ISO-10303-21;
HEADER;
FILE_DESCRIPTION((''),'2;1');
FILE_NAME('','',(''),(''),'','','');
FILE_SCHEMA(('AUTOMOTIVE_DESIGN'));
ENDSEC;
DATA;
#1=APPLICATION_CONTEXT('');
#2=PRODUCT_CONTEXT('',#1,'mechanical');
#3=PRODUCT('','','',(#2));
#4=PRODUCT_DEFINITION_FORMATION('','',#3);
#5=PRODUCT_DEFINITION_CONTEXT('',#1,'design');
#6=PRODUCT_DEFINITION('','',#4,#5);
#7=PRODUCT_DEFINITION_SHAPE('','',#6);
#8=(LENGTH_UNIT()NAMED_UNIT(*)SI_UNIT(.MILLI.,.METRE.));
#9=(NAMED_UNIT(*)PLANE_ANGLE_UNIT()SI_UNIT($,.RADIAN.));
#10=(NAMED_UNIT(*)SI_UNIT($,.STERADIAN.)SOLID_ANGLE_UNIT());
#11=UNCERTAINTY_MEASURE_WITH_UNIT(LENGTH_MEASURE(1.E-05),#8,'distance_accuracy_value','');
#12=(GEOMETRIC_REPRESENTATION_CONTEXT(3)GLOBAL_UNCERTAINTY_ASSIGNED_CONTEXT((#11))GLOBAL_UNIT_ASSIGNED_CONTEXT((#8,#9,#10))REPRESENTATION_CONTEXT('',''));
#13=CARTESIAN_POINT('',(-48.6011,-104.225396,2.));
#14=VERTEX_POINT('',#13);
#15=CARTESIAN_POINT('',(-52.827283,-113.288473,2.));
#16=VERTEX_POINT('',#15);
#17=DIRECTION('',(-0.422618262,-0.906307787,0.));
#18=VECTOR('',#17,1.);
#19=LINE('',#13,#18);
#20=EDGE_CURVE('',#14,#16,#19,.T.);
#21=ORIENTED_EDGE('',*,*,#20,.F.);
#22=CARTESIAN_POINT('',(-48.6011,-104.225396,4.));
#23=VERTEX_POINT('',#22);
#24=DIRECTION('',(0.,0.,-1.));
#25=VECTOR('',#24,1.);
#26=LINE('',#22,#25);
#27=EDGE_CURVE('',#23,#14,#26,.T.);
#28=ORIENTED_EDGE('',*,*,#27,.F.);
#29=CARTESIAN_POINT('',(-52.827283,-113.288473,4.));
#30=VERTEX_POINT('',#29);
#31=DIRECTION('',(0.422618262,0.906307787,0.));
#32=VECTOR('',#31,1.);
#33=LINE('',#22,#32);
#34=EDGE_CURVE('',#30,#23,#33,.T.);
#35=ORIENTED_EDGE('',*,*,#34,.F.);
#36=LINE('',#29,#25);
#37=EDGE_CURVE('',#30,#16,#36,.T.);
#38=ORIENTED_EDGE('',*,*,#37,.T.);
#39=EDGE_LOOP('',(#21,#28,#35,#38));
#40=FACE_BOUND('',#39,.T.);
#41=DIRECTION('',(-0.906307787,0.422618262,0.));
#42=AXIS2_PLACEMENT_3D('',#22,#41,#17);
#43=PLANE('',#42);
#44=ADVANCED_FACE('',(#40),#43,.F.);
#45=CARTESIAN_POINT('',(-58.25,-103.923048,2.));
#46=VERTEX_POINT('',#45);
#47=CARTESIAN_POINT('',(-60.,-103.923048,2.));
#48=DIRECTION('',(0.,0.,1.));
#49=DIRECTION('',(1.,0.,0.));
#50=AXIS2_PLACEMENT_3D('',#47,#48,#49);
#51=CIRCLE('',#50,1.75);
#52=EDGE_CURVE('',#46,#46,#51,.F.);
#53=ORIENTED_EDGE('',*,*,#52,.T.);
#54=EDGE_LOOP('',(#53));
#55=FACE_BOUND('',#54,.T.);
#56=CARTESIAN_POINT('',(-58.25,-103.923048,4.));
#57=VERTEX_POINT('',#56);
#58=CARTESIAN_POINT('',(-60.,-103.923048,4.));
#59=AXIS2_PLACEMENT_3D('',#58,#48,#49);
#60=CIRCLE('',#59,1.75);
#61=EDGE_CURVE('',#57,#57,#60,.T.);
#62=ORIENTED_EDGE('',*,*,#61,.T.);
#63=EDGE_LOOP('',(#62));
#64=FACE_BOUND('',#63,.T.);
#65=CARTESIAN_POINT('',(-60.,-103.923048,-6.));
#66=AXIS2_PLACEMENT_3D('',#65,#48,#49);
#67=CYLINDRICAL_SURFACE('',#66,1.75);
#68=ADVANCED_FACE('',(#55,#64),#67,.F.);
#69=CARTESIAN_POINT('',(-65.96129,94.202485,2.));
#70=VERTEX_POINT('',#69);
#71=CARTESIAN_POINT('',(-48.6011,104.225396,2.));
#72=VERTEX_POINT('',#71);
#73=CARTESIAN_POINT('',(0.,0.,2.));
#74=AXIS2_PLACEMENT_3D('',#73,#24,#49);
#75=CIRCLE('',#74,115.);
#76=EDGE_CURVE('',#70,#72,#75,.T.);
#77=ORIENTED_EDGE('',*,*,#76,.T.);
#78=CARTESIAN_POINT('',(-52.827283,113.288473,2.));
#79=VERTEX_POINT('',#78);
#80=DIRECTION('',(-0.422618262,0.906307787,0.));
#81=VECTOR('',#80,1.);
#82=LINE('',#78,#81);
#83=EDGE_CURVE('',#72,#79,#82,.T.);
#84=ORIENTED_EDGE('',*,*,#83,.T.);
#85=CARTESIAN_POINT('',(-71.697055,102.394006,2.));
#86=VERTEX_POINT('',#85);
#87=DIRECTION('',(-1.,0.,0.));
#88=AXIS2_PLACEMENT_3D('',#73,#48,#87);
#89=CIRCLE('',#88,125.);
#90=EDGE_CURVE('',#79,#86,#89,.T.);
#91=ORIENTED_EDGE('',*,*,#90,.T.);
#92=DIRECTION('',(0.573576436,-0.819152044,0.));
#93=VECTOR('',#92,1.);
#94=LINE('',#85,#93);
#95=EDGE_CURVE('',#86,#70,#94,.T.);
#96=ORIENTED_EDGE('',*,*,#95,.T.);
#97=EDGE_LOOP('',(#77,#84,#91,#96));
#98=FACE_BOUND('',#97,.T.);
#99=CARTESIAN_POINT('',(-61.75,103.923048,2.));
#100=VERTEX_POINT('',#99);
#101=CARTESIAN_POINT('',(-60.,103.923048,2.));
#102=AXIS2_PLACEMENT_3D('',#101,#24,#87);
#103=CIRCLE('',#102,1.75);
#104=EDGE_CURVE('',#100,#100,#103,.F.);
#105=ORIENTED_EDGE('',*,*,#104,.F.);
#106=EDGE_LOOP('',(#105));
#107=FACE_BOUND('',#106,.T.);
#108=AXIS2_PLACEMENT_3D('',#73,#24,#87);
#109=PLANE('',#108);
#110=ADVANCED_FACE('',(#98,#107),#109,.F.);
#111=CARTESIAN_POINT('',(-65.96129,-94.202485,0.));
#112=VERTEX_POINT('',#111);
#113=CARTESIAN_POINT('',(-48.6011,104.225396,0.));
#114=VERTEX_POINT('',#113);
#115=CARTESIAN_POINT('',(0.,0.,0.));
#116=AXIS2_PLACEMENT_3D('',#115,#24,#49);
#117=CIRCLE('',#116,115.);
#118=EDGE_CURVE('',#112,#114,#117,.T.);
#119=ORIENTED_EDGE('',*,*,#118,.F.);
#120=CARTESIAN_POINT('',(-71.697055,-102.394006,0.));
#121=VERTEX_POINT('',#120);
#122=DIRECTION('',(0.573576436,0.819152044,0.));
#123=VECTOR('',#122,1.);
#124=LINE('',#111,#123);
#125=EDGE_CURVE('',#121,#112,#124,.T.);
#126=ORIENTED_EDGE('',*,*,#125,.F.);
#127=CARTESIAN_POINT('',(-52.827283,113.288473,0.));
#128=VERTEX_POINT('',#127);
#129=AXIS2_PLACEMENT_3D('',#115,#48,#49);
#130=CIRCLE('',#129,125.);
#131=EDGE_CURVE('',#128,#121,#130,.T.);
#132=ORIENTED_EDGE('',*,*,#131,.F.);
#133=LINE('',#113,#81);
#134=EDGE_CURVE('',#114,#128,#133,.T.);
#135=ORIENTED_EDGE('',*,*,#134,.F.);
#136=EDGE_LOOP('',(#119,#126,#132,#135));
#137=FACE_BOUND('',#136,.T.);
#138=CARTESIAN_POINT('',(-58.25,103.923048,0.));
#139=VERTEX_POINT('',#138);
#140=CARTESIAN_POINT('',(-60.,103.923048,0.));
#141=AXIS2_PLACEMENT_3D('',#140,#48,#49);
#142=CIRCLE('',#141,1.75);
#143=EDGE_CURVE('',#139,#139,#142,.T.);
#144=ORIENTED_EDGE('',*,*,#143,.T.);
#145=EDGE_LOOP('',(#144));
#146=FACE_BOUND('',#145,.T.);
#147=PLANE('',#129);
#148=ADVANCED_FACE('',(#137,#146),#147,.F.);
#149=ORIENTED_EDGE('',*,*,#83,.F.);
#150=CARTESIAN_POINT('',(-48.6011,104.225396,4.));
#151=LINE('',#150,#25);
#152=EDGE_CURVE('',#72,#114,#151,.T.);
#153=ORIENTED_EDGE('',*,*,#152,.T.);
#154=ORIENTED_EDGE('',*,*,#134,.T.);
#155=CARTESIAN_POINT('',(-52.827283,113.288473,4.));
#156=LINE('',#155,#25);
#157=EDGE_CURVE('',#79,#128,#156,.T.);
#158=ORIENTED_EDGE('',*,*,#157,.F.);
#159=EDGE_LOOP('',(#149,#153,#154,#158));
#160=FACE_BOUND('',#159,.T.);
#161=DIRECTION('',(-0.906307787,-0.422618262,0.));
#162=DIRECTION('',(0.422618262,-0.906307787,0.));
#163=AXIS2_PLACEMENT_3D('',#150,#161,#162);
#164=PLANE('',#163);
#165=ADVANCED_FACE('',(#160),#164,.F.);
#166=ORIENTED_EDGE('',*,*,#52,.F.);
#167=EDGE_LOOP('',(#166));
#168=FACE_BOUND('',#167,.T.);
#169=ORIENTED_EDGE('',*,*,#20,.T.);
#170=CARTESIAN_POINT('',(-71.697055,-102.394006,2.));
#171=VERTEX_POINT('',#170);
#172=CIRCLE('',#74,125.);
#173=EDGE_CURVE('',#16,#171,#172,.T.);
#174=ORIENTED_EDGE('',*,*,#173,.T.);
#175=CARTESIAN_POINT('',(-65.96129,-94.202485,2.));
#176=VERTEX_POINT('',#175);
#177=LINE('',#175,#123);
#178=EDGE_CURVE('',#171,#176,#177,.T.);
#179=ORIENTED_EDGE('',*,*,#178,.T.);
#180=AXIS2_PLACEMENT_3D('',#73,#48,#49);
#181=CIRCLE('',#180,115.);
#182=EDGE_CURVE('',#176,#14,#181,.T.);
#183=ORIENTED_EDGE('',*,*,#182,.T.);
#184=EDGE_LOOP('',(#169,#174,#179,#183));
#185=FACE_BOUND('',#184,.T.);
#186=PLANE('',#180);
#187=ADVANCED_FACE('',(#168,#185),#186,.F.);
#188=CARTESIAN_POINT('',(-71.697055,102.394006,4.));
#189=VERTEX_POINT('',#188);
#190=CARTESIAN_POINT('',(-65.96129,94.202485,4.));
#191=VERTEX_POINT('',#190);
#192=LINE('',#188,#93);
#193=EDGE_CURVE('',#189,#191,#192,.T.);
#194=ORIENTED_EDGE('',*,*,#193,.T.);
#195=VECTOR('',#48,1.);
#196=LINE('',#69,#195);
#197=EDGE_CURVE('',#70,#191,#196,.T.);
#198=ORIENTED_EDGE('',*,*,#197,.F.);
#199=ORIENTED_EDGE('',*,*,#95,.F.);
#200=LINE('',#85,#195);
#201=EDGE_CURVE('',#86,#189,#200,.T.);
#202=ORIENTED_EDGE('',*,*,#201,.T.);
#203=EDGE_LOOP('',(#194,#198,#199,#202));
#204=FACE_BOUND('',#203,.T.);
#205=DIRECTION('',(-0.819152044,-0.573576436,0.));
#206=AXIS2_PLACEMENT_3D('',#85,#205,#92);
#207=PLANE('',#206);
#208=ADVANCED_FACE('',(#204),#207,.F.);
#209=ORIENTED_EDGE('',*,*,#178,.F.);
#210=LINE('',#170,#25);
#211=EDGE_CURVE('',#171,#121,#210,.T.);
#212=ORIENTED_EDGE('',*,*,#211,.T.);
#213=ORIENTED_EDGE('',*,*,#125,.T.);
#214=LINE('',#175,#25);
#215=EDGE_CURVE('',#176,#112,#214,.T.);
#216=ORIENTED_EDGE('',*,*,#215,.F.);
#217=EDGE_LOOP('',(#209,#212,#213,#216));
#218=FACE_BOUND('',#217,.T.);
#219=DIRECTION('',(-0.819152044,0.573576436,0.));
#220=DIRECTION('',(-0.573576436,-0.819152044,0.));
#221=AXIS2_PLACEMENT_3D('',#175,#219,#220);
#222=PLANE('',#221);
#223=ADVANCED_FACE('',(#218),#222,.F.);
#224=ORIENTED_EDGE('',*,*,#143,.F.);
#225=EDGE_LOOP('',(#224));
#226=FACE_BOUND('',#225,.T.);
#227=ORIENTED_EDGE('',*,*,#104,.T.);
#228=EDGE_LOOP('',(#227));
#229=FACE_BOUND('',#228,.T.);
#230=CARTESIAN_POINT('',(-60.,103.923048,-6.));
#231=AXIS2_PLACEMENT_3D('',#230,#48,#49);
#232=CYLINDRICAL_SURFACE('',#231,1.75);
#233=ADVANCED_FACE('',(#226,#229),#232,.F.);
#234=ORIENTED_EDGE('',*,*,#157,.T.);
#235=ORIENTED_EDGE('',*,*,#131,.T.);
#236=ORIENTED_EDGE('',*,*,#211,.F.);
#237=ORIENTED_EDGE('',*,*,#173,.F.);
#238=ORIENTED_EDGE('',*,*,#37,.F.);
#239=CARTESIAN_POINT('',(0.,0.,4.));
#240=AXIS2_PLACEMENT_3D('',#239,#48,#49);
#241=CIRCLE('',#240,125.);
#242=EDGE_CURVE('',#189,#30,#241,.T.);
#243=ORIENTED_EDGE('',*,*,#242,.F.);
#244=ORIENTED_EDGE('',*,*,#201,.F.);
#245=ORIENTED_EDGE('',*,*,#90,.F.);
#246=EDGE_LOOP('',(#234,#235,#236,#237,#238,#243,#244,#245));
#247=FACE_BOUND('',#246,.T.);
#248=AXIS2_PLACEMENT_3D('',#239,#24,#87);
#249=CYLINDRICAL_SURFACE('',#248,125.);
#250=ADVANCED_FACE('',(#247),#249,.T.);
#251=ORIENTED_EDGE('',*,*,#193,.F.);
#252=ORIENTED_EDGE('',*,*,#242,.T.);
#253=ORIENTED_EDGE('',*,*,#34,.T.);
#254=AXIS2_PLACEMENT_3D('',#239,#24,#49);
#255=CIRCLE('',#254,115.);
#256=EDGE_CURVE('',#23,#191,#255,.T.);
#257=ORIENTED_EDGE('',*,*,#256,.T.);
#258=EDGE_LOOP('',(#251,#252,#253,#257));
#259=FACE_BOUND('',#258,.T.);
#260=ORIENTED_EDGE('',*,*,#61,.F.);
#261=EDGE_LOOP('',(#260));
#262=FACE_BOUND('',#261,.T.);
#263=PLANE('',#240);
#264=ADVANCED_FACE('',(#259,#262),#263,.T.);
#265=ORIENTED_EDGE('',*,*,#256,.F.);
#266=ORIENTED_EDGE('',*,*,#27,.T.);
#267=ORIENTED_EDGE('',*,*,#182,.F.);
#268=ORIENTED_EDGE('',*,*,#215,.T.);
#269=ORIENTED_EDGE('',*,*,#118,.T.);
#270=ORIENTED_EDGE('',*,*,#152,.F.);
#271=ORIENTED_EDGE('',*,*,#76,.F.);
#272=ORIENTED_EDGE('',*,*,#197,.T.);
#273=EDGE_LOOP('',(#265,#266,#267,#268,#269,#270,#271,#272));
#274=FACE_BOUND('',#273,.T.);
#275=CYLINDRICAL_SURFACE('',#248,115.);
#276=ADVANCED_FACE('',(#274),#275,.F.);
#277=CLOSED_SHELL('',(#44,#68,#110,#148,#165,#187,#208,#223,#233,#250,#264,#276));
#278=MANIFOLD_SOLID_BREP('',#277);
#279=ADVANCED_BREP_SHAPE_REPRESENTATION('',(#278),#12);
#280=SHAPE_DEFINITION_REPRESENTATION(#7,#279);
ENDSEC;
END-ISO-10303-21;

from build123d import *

# Parameters (mm, degrees)
BOSS_EXTRU_1_DEPTH      = 4
ESQUISSE3_R             = 1.75
ENL_V_MAT_EXTRU_1_DEPTH = 10
ENL_V_START             = -2
ENL_V_MAT_EXTRU_2_DEPTH = 2
ENL_V_MAT_EXTRU_3_DEPTH = 2


with BuildPart() as part:
    # Esquisse1 → Boss.-Extru.1 (new body)
    with BuildSketch(Plane.XY):
        with BuildLine():
            Line((-48.6011001, -104.225395509), (-52.827282718, -113.28847338))
            ThreePointArc((-52.827282718, -113.28847338), (-105.423930727, -67.162451043), (-125, 0))
            ThreePointArc((-125, 0), (-105.423930727, 67.162451043), (-52.827282718, 113.28847338))
            Line((-52.827282718, 113.28847338), (-48.6011001, 104.225395509))
            ThreePointArc((-48.6011001, 104.225395509), (-115, 0), (-48.6011001, -104.225395509))
        make_face()
    extrude(amount=BOSS_EXTRU_1_DEPTH)

    # Esquisse3 → Enlèv. mat.-Extru.1 (cut)
    with BuildSketch(Plane.XY.offset(4)):
        with Locations((-60, 103.923048454)):
            Circle(ESQUISSE3_R)
        with Locations((-60, -103.923048454)):
            Circle(ESQUISSE3_R)
    extrude(amount=-ENL_V_MAT_EXTRU_1_DEPTH, mode=Mode.SUBTRACT)

    # Esquisse4 → Enlèv. mat.-Extru.2 (cut)
    with BuildSketch(Plane.XY.offset(4).offset(ENL_V_START)):
        with BuildLine():
            Line((-71.697054544, 102.394005536), (-65.96129018, 94.202485093))
            ThreePointArc((-65.96129018, 94.202485093), (-57.5, 99.592921435), (-48.6011001, 104.225395509))
            Line((-48.6011001, 104.225395509), (-52.827282718, 113.28847338))
            ThreePointArc((-52.827282718, 113.28847338), (-62.5, 108.253175473), (-71.697054544, 102.394005536))
        make_face()
    extrude(amount=ENL_V_MAT_EXTRU_2_DEPTH, mode=Mode.SUBTRACT)

    # Esquisse6 → Enlèv. mat.-Extru.3 (cut)
    with BuildSketch(Plane(origin=(0, 0, 0), x_dir=(-1, 0, 0), z_dir=(0, 0, -1))):
        with BuildLine():
            Line((65.96129018, -94.202485093), (71.697054544, -102.394005536))
            ThreePointArc((71.697054544, -102.394005536), (62.5, -108.253175473), (52.827282718, -113.28847338))
            Line((52.827282718, -113.28847338), (48.6011001, -104.225395509))
            ThreePointArc((48.6011001, -104.225395509), (57.5, -99.592921435), (65.96129018, -94.202485093))
        make_face()
    extrude(amount=-ENL_V_MAT_EXTRU_3_DEPTH, mode=Mode.SUBTRACT)


solid = part.part
